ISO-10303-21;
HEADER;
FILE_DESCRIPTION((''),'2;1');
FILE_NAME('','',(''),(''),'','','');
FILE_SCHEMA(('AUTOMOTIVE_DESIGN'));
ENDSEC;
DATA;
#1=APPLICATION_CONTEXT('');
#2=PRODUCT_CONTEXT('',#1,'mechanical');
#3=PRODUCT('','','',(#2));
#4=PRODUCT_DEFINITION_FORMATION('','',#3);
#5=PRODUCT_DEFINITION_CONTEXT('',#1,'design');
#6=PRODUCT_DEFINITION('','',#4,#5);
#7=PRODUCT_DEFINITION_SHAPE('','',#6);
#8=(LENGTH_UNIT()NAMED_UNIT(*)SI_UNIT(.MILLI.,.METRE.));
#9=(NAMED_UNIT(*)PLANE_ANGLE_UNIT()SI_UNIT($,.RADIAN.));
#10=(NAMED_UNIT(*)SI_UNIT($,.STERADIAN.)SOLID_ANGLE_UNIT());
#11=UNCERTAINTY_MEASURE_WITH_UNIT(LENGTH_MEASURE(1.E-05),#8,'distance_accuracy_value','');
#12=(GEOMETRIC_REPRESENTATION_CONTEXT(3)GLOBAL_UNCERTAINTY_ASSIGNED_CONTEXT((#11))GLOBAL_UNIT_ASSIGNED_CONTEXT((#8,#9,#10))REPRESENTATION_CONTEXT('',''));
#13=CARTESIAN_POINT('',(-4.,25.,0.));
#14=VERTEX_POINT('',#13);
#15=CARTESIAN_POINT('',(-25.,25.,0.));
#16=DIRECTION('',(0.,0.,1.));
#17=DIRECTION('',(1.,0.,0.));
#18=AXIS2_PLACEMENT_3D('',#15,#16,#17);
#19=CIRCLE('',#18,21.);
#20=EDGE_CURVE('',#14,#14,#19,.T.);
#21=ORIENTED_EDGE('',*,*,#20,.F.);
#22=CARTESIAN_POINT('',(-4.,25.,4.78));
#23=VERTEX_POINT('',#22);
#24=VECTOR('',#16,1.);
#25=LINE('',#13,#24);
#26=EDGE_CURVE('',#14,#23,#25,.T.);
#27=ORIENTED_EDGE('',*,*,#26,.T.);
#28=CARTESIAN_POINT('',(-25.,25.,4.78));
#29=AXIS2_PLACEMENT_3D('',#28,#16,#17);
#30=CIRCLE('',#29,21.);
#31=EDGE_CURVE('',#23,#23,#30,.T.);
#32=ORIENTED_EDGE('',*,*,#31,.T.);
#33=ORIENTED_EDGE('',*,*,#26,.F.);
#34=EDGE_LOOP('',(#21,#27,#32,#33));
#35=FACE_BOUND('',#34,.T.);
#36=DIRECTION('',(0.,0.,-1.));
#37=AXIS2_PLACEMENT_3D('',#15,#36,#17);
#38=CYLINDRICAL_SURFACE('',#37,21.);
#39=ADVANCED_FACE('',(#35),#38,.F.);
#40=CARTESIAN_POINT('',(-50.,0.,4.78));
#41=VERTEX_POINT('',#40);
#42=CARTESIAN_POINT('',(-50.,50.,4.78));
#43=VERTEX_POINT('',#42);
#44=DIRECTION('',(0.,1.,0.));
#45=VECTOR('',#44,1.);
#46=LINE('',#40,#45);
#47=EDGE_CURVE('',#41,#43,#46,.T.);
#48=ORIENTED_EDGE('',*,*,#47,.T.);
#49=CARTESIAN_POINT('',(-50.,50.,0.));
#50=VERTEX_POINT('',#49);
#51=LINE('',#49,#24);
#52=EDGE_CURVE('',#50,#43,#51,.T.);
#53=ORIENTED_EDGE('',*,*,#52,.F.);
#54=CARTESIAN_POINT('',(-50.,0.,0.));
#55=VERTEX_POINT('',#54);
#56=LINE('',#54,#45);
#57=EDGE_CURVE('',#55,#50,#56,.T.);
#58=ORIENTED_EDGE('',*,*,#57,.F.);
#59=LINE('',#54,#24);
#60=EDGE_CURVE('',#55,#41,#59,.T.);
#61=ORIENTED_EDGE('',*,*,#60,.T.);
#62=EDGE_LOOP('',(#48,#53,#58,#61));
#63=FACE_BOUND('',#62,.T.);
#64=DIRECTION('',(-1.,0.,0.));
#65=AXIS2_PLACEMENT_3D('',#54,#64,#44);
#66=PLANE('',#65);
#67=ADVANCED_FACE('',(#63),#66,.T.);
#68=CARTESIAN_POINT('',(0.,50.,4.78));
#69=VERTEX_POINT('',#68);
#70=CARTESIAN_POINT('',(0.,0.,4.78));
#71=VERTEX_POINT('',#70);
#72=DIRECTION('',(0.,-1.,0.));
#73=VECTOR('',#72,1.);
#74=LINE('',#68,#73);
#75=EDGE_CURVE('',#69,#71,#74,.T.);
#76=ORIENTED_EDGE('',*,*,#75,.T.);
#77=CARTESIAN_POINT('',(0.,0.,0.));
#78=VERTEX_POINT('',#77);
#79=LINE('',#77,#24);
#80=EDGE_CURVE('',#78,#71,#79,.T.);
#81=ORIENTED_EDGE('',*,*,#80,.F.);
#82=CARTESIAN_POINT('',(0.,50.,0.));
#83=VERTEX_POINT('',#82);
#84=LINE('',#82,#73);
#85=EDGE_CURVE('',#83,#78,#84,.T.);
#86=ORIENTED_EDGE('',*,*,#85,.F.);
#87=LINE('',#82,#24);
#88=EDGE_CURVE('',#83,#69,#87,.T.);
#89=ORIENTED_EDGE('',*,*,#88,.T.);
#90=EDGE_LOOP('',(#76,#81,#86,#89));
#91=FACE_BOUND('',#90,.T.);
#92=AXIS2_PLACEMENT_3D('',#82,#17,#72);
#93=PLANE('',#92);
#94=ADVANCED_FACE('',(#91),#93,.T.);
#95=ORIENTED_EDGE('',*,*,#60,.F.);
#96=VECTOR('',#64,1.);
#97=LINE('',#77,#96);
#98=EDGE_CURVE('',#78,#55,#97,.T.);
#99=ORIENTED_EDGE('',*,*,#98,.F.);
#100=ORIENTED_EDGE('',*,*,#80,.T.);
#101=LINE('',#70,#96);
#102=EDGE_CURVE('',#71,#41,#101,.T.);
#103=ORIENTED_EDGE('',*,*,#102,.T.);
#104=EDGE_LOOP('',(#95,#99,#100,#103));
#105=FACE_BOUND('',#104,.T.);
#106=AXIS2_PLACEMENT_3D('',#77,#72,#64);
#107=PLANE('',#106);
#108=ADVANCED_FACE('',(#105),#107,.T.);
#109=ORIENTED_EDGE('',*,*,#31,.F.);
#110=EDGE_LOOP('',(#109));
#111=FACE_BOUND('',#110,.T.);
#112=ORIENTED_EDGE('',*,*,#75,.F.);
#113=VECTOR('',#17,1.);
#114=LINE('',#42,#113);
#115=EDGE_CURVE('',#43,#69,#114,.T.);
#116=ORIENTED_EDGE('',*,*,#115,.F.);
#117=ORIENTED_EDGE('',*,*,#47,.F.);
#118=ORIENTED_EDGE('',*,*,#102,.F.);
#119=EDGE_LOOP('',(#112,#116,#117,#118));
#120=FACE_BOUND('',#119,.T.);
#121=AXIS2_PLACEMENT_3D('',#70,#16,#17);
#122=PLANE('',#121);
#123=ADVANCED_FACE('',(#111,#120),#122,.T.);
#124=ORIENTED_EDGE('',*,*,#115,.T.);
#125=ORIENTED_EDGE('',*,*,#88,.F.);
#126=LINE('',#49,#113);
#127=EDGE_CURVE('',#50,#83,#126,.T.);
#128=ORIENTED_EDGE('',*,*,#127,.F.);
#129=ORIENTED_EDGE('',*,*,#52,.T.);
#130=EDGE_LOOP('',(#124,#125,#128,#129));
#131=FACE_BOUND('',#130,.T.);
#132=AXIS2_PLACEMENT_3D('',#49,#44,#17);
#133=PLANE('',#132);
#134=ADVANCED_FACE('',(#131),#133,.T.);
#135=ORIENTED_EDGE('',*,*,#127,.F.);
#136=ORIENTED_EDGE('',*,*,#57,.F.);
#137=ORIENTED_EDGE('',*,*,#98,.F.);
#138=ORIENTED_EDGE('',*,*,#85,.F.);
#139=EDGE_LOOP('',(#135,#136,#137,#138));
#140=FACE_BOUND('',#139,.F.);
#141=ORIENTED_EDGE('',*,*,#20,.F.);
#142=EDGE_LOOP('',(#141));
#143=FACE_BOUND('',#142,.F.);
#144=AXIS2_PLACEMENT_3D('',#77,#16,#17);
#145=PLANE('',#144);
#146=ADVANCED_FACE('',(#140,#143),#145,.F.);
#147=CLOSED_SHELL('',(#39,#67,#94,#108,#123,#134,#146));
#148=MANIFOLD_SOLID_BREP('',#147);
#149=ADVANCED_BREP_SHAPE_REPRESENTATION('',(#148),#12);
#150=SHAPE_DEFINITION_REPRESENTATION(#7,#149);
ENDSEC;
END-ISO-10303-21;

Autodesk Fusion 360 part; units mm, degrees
sketch "Sketch1" plane through (0, 0, 0) normal (0, 0, 1) x (1, 0, 0)
  line L0 (0, 0) -> (-50, 0)
  line L1 (-50, 0) -> (-50, 50)
  line L2 (-50, 50) -> (0, 50)
  line L3 (0, 50) -> (0, 0)
  circle A0 centre (-25, 25) radius 21
  dimension "d1" = 42
extrude "Extrude1" add sketch "Sketch1" along normal blind 4.78
